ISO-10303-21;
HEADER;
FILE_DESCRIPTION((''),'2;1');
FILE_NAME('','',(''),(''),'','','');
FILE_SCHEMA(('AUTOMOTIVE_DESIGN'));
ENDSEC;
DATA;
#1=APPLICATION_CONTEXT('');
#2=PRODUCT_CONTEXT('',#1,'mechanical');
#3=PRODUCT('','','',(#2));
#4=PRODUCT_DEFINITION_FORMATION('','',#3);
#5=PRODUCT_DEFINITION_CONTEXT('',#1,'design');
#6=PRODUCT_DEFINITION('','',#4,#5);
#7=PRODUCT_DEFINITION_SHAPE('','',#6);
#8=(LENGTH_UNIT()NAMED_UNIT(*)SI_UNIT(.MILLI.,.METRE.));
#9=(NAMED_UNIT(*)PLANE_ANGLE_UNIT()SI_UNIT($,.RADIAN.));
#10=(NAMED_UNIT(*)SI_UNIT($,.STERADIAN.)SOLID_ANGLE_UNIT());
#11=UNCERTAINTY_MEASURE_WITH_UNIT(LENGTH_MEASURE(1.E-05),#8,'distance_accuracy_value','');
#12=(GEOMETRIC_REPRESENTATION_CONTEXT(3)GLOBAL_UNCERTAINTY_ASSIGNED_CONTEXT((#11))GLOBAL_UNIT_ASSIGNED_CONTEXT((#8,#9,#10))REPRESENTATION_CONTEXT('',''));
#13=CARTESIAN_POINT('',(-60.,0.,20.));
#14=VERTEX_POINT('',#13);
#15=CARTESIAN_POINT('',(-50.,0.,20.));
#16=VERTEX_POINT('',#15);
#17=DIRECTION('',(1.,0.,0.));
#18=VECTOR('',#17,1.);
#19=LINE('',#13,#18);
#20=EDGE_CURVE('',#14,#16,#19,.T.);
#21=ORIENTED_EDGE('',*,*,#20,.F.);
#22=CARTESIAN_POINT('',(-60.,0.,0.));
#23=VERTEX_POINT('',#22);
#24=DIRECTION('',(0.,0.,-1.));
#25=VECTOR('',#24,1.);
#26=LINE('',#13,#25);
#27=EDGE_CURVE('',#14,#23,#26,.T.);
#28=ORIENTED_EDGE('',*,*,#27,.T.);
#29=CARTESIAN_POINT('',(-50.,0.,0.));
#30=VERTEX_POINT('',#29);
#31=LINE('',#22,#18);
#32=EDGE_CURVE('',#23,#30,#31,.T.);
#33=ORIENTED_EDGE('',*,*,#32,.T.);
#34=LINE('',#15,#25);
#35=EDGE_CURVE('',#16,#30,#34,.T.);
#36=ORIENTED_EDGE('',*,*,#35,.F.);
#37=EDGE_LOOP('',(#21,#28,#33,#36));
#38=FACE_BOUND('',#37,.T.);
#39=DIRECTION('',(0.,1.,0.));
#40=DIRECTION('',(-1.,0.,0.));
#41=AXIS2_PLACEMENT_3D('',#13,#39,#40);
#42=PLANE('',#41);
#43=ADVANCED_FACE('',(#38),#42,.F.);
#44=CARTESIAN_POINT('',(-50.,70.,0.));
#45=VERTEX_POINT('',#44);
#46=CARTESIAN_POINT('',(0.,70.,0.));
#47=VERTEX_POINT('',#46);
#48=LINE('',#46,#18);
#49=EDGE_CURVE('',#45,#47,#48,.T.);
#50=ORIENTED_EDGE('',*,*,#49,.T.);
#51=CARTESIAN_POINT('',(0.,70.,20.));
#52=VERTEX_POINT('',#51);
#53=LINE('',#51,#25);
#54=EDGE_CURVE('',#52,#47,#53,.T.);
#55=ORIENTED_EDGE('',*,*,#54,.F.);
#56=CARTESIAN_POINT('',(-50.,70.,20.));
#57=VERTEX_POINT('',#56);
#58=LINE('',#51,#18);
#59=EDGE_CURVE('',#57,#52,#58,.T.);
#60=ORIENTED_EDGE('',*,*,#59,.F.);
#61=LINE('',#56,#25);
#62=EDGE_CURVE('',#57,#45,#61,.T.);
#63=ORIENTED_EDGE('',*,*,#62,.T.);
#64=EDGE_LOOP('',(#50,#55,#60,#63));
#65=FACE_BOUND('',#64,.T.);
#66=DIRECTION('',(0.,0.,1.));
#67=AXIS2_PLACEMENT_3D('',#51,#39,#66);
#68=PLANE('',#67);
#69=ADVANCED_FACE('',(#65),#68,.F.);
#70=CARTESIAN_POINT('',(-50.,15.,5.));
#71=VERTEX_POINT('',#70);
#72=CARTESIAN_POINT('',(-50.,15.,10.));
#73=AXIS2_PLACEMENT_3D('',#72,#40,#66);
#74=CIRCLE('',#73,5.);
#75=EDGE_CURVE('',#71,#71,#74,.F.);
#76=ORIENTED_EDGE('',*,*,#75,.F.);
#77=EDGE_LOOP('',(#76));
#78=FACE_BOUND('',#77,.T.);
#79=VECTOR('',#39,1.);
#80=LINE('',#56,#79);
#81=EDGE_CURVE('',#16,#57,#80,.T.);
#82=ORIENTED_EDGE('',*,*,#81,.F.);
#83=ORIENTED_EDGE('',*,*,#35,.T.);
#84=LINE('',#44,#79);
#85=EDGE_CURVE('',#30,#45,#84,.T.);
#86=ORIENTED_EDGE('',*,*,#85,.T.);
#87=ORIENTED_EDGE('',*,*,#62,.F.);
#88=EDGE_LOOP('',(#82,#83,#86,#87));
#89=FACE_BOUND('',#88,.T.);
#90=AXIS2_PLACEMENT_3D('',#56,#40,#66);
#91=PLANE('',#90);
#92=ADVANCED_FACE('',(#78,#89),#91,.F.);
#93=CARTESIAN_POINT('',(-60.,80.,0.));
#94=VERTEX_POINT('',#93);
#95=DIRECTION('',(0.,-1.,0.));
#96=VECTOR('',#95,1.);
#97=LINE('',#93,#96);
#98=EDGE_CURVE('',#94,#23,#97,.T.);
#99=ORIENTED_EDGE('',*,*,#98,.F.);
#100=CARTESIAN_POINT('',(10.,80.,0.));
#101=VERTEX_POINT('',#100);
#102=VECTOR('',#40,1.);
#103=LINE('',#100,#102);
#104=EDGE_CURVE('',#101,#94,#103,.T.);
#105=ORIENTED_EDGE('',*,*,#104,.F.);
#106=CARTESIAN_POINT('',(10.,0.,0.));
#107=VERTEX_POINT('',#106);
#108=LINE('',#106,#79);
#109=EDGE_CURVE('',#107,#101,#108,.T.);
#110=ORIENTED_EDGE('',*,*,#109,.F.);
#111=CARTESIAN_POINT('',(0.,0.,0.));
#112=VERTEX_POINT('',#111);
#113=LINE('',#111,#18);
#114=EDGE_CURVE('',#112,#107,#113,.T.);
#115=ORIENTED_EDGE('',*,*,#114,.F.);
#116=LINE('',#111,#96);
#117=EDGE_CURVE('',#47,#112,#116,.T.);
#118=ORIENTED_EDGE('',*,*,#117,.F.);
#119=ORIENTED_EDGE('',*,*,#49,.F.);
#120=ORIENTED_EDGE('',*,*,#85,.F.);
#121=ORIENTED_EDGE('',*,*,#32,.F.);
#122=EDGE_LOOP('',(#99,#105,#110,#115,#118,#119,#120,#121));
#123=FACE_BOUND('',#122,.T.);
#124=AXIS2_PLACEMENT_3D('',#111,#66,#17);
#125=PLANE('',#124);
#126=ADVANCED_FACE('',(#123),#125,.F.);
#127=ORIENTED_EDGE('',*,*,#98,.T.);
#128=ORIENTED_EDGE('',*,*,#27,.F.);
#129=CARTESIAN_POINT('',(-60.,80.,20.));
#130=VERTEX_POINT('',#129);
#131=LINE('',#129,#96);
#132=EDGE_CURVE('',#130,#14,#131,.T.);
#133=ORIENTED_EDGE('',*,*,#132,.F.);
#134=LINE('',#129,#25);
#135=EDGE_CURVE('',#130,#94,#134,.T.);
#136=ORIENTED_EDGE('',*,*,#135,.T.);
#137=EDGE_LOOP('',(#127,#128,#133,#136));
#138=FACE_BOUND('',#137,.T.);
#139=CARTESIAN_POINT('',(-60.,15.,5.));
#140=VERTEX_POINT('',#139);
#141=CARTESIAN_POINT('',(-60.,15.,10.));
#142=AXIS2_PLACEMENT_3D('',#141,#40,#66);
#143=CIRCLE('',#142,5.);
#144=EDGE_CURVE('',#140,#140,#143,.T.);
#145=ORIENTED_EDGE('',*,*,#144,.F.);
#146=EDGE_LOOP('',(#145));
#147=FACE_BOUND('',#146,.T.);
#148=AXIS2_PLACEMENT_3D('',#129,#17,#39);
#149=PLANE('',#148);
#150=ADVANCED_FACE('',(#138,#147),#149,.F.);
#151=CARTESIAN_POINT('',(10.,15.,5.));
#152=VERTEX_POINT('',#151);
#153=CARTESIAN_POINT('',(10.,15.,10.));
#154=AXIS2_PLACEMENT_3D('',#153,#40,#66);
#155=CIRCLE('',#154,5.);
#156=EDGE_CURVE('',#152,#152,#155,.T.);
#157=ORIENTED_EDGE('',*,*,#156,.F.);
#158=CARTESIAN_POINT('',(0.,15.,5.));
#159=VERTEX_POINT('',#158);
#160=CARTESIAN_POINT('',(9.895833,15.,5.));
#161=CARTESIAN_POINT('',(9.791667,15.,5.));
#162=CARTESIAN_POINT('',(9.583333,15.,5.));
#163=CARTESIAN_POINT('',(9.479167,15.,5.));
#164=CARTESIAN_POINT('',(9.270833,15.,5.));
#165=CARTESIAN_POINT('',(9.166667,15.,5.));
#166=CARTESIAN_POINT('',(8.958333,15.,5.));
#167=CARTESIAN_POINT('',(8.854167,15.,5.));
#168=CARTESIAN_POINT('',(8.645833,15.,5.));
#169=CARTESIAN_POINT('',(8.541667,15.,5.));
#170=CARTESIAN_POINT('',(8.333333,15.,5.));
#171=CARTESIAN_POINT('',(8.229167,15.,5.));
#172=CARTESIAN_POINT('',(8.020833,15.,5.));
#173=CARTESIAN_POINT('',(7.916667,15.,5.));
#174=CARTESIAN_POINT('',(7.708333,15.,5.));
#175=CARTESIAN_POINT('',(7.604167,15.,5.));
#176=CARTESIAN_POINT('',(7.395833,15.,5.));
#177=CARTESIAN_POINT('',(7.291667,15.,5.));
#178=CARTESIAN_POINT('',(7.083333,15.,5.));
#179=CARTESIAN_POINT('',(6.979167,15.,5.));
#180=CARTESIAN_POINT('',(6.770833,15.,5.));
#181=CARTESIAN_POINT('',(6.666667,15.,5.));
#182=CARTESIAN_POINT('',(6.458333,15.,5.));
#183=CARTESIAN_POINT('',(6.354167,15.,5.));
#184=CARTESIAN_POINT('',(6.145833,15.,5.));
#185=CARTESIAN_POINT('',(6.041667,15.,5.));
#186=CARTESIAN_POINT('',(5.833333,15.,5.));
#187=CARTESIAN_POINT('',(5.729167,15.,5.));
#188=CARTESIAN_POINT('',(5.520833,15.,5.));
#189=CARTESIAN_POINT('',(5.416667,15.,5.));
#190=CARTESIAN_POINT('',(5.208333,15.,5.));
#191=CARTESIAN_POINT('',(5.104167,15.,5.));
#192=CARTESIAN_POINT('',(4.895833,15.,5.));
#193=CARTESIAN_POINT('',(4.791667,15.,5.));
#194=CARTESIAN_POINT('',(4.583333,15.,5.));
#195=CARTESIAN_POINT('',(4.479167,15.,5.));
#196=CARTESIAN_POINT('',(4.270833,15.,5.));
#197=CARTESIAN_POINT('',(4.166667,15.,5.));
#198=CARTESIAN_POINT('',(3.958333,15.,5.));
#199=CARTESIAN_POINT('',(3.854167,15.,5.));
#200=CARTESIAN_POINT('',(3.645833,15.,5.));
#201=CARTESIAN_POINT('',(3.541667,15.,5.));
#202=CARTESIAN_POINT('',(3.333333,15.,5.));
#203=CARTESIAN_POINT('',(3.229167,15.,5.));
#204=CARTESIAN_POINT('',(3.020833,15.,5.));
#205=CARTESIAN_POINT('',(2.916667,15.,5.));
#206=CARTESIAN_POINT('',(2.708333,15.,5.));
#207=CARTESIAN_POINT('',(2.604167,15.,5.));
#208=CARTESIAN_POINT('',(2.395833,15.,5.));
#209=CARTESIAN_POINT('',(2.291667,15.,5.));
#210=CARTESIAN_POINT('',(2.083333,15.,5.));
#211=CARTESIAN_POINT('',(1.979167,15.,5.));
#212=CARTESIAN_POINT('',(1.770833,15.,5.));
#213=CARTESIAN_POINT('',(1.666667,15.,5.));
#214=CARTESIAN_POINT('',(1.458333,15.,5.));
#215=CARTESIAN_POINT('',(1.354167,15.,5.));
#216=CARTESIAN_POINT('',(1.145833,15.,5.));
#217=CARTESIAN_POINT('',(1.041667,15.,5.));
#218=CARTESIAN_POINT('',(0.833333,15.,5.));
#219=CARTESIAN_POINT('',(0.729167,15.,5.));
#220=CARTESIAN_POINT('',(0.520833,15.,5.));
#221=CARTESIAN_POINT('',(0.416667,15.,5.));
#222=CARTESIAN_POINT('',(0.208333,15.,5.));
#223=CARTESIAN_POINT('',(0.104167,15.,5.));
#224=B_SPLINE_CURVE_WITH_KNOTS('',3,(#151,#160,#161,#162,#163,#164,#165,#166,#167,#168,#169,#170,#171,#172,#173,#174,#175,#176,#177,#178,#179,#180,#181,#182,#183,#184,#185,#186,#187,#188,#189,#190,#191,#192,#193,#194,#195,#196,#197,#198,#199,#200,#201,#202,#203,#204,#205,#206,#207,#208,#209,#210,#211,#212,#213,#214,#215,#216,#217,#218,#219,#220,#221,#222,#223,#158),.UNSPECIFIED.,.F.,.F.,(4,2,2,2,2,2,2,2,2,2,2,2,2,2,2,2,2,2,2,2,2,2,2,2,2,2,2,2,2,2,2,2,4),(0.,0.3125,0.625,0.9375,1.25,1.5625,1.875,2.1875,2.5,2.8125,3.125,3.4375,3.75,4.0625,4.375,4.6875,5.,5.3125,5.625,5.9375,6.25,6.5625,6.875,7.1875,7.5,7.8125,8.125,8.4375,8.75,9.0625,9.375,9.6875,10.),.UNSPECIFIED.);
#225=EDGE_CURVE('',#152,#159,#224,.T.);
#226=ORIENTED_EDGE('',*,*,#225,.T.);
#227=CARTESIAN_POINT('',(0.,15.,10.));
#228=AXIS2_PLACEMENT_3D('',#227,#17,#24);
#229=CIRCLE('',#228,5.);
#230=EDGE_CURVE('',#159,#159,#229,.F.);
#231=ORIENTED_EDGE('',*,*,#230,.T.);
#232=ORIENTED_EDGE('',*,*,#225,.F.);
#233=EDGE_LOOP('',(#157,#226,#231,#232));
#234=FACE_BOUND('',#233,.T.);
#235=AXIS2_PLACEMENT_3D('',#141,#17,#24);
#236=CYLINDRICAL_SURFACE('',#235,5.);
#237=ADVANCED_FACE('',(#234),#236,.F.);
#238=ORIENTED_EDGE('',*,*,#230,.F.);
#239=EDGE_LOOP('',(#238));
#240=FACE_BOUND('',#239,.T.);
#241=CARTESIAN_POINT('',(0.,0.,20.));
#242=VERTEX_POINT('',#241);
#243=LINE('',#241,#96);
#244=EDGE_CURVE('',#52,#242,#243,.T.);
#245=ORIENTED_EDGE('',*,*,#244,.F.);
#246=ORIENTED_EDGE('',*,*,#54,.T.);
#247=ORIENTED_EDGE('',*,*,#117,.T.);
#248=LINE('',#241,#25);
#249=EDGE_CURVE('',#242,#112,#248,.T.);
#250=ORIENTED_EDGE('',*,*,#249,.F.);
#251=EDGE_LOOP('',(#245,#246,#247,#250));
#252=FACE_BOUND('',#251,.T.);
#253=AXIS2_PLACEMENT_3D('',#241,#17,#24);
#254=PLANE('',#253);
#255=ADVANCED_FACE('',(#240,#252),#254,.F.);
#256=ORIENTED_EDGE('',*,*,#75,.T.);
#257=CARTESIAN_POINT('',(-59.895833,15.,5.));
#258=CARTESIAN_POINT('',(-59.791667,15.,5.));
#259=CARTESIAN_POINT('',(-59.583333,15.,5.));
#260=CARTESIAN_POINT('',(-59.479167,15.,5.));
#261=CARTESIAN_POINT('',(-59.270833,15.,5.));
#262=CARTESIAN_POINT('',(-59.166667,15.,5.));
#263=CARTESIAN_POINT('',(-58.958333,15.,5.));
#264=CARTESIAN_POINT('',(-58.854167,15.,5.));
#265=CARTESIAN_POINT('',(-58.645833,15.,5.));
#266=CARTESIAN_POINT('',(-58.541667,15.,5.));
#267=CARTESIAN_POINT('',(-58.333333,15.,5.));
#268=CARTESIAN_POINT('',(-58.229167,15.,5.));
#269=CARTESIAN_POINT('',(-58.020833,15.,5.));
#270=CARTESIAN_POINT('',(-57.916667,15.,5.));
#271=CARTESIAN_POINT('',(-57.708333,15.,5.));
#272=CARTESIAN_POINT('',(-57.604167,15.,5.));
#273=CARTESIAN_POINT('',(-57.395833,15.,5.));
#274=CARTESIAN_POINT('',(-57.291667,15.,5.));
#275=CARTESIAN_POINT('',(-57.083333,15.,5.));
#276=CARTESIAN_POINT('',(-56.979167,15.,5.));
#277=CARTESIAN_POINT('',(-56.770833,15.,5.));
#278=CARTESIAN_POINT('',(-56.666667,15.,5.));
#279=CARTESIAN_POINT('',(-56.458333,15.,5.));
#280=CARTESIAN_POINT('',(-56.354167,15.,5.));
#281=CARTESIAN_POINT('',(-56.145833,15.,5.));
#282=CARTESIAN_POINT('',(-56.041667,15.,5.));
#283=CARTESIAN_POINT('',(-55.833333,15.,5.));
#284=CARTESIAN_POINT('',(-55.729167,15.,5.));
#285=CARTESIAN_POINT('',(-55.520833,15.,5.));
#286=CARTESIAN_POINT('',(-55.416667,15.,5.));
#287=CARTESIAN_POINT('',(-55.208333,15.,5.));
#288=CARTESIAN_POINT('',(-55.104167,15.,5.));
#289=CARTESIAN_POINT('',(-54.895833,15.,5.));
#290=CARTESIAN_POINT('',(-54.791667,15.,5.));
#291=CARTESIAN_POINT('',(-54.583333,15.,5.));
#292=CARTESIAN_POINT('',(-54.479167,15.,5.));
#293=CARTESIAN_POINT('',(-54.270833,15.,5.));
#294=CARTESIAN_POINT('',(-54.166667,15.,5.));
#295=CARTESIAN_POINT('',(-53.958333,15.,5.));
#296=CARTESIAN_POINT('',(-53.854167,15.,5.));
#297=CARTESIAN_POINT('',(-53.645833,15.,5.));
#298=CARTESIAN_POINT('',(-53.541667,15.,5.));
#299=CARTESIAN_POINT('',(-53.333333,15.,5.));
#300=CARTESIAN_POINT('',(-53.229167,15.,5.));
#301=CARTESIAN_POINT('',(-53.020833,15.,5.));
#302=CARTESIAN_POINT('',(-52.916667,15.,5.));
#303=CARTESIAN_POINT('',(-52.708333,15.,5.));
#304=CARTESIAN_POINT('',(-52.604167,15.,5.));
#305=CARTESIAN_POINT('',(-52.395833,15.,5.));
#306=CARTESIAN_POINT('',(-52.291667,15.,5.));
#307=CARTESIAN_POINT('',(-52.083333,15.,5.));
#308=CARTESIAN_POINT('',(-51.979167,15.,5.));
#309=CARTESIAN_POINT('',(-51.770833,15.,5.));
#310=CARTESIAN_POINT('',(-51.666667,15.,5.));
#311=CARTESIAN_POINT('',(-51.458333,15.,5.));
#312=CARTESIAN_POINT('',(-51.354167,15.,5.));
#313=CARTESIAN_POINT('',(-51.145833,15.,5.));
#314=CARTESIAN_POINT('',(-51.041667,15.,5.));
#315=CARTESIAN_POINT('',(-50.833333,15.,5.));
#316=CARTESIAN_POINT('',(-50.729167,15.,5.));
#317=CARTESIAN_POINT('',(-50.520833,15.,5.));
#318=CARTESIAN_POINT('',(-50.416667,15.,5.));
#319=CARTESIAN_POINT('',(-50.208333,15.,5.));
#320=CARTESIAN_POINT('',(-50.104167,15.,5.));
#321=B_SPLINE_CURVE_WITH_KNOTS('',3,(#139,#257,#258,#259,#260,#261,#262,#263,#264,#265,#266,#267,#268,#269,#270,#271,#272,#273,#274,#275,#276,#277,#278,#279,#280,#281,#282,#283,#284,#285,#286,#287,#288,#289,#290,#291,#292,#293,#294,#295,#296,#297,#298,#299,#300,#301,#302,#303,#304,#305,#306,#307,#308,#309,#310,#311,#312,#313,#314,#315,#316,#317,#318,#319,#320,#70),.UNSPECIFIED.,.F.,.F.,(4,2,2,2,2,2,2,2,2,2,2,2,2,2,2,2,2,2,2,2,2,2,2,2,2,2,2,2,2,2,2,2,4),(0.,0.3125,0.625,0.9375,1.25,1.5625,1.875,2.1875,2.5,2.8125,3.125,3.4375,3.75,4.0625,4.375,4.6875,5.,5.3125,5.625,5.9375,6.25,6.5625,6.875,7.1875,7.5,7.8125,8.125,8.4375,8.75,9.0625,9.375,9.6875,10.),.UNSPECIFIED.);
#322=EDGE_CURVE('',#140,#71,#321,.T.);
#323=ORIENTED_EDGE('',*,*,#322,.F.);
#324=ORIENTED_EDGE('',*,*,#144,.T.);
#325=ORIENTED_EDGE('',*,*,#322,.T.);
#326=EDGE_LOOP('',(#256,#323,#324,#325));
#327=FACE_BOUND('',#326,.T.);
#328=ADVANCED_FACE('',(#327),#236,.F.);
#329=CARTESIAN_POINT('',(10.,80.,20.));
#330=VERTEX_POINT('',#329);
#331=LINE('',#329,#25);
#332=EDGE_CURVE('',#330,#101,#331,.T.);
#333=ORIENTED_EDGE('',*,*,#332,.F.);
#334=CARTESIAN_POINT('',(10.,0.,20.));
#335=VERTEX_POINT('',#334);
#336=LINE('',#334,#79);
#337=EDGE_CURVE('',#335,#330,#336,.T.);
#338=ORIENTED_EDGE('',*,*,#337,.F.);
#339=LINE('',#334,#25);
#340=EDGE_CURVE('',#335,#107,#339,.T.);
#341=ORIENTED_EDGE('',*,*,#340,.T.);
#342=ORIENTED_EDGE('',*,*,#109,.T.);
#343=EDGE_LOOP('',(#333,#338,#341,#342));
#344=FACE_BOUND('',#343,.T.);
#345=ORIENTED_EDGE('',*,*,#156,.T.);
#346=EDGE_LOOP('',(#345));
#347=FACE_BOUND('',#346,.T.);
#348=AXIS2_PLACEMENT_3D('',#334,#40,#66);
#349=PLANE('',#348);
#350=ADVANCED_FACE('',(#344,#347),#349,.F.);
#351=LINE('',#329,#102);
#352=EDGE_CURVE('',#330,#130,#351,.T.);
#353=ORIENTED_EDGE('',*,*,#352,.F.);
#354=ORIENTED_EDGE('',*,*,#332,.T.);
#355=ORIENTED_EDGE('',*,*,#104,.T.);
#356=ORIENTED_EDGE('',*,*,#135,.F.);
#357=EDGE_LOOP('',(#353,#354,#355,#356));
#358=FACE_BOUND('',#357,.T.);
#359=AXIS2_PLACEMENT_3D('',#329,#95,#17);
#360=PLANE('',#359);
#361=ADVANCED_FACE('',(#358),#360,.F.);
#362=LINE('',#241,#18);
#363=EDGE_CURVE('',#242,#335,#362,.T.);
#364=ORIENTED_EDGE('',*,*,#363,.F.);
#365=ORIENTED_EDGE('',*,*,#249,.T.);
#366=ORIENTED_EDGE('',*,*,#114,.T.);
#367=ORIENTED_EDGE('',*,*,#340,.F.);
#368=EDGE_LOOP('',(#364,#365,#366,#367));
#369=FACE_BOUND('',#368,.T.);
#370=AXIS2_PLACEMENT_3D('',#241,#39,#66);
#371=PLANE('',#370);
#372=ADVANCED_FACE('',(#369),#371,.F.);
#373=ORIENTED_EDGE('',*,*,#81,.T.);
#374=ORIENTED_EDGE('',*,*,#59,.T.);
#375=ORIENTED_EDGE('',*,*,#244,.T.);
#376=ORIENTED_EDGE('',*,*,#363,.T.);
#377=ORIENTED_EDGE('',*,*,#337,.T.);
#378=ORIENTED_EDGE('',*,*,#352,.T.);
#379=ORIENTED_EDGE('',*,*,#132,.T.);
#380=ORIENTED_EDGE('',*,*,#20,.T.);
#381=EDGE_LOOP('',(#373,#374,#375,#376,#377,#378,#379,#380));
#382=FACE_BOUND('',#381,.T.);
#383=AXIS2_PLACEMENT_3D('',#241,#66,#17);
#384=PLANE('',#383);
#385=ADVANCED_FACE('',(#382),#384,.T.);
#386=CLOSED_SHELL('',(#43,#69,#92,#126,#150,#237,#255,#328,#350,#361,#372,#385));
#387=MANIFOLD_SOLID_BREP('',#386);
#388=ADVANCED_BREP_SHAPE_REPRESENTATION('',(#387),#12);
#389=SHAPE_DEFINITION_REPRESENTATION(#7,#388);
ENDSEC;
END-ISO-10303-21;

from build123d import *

# Parameters (mm, degrees)
BOSS_EXTRUDE1_DEPTH     = 20
CUT_EXTRUDE1_DEPTH      = 102.980390272
CUT_EXTRUDE1_DEPTH_BACK = 102.980390272
SKETCH2_R               = 5


with BuildPart() as part:
    # Sketch1 → Boss-Extrude1 (new body)
    with BuildSketch(Plane.XY):
        Polygon((0, 0), (0, 70), (-50, 70), (-50, 0), (-60, 0), (-60, 80), (10, 80), (10, 0), align=None)
    extrude(amount=BOSS_EXTRUDE1_DEPTH)

    # Sketch2 → Cut-Extrude1 (cut, two sides: drawn at the far end of the back side and taken through both)
    with BuildSketch(Plane.ZY.offset(-CUT_EXTRUDE1_DEPTH_BACK)):
        with Locations(Location((10, 15, 0), (0, 0, 180))):
            Circle(SKETCH2_R)
    extrude(amount=CUT_EXTRUDE1_DEPTH + CUT_EXTRUDE1_DEPTH_BACK, mode=Mode.SUBTRACT)


solid = part.part
